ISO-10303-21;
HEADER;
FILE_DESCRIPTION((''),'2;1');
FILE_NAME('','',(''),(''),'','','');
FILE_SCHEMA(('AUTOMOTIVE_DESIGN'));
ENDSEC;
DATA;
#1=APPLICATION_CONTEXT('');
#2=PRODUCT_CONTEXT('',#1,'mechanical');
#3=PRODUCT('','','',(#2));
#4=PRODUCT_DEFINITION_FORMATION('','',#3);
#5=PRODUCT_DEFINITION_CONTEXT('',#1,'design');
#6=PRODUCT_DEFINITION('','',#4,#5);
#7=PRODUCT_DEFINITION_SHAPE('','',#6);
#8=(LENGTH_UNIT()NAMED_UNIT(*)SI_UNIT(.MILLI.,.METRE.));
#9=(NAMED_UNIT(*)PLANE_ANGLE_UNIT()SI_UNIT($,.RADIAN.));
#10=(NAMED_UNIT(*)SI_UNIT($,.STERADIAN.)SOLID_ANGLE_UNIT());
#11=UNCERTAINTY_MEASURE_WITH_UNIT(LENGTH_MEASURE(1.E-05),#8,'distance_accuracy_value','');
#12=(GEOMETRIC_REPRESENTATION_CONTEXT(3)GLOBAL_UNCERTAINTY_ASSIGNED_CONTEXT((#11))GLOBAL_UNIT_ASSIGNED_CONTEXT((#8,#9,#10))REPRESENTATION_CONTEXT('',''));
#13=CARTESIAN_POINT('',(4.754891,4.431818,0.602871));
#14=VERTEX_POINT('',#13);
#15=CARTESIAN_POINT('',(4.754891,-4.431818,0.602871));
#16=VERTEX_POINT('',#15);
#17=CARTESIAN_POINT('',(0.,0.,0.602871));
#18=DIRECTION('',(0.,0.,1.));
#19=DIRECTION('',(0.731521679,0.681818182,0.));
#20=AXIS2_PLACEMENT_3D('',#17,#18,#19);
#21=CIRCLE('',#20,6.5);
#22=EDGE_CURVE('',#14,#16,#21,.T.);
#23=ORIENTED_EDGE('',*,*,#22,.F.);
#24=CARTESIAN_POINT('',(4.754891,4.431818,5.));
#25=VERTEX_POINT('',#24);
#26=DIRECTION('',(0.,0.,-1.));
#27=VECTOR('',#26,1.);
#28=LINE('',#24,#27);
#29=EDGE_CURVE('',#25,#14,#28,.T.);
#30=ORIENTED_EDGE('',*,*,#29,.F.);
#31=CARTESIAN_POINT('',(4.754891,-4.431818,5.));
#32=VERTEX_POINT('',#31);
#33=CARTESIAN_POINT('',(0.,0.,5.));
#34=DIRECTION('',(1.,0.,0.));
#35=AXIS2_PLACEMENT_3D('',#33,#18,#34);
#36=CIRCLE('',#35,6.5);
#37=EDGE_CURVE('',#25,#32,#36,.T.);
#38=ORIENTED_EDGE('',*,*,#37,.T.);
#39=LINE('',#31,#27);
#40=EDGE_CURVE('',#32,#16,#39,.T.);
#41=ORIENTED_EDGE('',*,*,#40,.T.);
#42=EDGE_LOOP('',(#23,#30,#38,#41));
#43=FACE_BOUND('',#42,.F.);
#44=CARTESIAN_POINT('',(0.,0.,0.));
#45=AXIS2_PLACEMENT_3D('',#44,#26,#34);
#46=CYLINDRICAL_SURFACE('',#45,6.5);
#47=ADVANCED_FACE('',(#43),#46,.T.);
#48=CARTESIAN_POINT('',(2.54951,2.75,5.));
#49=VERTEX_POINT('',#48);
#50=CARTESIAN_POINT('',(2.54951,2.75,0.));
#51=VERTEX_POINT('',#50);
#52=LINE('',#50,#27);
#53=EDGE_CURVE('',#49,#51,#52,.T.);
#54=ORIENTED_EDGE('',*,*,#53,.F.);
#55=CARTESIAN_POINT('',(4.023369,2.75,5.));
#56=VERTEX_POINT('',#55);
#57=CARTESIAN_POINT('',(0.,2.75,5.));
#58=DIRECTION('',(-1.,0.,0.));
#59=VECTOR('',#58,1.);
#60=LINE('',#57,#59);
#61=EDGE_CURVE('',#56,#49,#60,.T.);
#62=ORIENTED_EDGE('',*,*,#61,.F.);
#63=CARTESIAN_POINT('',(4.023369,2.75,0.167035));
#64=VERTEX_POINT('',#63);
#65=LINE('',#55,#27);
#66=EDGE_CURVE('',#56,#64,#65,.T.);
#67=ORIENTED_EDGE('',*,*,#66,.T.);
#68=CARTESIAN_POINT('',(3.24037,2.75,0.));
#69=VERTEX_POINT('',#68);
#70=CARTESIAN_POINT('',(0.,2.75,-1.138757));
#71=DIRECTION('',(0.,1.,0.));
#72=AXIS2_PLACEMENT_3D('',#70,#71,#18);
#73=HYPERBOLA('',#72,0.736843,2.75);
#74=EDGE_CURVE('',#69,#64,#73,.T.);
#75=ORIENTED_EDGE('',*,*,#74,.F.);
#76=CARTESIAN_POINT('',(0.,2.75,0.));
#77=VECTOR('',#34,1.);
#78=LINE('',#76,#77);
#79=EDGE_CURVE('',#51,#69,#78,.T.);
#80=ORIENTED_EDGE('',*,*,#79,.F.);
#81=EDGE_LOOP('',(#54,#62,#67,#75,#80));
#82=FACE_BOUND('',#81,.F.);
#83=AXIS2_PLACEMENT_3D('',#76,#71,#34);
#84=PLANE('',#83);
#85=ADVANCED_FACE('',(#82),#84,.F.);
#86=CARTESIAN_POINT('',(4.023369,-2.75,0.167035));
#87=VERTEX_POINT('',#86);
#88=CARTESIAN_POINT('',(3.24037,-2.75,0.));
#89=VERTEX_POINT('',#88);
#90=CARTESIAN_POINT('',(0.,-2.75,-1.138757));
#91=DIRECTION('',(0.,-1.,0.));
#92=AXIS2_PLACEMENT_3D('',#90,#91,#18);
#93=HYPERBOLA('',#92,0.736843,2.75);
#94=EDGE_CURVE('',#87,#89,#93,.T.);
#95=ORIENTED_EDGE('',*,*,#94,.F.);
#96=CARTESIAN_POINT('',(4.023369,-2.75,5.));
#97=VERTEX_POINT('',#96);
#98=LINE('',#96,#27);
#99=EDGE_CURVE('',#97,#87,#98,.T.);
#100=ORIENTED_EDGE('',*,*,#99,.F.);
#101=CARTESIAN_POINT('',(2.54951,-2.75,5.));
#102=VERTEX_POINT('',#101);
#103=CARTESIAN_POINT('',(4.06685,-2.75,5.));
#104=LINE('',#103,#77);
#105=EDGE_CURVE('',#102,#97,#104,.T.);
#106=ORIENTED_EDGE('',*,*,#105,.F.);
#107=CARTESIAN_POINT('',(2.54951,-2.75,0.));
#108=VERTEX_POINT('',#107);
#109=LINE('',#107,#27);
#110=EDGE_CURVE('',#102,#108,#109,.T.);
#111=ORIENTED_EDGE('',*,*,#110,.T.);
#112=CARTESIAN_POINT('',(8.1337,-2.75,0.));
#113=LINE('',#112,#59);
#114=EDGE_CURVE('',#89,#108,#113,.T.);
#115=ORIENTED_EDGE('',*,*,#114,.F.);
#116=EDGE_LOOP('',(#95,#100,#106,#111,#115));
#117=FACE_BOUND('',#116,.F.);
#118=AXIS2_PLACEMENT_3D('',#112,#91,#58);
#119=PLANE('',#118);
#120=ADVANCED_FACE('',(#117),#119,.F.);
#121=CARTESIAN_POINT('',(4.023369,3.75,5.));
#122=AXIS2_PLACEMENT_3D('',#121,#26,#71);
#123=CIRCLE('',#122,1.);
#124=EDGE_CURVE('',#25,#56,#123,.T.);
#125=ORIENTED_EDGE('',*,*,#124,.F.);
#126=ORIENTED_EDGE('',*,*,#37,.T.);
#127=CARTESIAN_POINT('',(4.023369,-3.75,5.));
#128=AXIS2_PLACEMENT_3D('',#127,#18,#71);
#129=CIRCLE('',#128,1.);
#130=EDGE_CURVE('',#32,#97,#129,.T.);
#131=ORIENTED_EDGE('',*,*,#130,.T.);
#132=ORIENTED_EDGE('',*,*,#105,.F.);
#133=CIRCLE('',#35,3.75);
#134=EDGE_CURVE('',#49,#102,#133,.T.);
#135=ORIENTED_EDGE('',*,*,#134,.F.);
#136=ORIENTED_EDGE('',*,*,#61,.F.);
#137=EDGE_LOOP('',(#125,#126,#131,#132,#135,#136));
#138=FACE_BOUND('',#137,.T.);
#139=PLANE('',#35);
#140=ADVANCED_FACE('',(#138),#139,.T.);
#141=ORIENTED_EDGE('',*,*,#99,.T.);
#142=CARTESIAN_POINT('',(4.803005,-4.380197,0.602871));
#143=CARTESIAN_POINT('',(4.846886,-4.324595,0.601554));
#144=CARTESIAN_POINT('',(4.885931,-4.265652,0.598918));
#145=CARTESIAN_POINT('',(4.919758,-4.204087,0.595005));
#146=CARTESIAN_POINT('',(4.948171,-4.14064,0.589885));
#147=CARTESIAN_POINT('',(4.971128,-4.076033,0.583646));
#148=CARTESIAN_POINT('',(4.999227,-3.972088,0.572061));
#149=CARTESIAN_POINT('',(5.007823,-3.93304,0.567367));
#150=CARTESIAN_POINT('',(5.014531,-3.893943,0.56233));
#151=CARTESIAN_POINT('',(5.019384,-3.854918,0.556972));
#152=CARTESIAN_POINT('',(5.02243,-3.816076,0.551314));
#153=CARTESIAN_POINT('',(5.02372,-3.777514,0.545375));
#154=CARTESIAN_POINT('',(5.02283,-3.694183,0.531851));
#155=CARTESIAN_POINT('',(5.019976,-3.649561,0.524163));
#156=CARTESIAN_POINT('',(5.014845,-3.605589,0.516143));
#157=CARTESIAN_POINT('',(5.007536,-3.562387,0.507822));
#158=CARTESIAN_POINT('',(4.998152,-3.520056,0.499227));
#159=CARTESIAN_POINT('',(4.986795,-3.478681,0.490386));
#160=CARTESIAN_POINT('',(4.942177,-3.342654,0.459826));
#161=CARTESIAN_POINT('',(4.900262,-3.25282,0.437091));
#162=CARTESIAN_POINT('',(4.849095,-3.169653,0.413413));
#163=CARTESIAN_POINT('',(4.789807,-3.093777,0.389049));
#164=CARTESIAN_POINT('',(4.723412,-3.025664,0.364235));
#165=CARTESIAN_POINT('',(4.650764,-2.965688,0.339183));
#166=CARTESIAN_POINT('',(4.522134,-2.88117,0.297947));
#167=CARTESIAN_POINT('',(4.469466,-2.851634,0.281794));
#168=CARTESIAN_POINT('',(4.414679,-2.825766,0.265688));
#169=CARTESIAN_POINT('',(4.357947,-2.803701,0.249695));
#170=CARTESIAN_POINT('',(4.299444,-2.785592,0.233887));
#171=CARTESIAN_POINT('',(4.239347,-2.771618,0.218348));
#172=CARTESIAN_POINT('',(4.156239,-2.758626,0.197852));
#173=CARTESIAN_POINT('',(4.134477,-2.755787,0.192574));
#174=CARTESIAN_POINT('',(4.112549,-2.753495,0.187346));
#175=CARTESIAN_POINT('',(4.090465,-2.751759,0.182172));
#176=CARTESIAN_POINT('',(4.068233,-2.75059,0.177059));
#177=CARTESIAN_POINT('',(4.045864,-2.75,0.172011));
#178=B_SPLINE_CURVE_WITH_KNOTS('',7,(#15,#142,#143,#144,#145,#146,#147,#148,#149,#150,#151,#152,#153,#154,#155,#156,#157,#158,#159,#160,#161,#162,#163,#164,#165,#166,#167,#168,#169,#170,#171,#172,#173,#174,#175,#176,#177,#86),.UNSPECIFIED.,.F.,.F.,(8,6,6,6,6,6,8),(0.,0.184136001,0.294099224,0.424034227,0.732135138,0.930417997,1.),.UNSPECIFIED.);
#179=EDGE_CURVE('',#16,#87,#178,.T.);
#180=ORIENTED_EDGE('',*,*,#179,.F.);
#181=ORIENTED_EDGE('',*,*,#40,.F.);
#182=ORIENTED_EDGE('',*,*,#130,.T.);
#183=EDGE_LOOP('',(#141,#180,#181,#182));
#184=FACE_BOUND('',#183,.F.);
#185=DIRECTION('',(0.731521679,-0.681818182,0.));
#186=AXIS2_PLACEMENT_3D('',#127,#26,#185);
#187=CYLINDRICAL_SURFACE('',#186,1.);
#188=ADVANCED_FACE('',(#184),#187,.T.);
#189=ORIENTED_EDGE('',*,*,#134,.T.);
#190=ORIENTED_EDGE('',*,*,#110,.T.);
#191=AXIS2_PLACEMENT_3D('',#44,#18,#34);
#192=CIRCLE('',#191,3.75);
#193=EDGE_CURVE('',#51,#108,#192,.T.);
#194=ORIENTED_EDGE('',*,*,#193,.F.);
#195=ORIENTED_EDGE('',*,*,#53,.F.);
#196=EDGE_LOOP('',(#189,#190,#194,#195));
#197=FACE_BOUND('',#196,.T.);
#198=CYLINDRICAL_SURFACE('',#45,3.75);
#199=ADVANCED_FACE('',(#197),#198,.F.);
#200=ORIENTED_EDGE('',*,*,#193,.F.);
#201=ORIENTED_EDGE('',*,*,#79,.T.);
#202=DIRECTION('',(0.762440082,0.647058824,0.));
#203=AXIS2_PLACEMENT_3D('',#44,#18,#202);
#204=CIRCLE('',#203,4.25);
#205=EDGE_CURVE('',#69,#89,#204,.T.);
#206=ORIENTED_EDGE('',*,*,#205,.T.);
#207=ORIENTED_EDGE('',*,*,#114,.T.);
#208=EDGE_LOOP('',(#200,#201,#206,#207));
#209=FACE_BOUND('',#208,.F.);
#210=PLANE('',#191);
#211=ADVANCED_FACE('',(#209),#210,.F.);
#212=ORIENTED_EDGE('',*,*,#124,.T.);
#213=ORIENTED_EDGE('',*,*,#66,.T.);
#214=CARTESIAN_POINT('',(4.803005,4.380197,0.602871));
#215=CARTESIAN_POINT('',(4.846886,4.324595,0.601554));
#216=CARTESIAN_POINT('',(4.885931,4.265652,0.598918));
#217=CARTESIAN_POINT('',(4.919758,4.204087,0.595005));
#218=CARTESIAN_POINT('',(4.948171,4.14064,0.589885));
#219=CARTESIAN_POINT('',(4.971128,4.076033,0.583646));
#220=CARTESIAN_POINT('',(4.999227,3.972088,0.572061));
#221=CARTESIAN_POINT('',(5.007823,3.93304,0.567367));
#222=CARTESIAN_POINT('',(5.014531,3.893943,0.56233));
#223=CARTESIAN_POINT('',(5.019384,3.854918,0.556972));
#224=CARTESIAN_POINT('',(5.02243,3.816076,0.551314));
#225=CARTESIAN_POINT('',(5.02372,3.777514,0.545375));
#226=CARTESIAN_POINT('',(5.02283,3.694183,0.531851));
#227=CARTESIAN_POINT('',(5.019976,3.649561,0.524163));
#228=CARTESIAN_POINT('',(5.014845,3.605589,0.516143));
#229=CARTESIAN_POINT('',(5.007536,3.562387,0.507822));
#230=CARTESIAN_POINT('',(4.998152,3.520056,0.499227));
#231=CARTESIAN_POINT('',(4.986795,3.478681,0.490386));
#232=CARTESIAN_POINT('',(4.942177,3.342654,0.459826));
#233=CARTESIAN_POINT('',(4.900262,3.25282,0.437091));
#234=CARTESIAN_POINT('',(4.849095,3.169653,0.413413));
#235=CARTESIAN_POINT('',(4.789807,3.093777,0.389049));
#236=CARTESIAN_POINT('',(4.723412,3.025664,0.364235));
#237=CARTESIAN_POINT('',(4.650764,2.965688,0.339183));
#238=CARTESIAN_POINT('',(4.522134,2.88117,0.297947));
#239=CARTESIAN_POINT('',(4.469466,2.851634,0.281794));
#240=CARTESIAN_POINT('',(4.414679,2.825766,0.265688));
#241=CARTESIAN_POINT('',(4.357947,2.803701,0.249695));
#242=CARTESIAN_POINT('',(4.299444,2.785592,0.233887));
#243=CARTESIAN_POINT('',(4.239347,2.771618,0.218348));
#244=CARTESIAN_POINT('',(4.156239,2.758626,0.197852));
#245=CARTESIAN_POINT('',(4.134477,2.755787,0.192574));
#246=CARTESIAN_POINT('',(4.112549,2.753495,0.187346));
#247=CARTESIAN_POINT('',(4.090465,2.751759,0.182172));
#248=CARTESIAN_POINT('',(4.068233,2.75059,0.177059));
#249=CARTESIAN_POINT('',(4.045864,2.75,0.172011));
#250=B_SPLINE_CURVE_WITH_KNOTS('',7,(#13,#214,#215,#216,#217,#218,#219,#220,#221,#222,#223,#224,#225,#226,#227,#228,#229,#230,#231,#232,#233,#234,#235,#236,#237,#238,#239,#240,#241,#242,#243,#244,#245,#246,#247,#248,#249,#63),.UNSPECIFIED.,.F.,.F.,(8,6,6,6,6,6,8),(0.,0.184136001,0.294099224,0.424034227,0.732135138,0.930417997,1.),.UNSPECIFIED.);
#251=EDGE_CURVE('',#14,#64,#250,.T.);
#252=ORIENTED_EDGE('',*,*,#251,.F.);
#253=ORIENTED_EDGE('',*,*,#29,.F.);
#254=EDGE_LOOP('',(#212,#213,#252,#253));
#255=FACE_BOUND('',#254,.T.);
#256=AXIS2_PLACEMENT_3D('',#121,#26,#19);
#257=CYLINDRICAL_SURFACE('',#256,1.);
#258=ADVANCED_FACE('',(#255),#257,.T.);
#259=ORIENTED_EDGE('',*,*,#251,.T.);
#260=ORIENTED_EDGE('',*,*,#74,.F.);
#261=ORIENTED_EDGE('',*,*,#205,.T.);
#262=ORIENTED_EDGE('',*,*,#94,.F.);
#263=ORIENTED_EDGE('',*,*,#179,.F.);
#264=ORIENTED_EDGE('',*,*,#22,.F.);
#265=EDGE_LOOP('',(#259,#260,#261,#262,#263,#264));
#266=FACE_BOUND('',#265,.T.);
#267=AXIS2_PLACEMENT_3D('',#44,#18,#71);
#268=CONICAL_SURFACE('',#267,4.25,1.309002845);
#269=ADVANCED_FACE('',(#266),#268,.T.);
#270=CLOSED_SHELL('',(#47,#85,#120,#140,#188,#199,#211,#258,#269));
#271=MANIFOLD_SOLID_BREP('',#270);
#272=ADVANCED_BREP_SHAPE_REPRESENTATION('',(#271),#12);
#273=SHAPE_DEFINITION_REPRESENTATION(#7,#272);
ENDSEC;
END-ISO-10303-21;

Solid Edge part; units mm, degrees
sketch "Sketch1" plane through (0, 0, 0) normal (0, 0, 1) x (1, 0, 0)
  circle A0 centre (0, 0) radius 6.5
  circle A1 centre (0, 0) radius 3.75
  dimension "D1" = 13
  dimension "D2" = 7.5
extrude "Protrusion1" add sketch "Sketch1" along normal blind 5
sketch "Sketch2" plane through (0, 0, 0) normal (0, 0, 1) x (1, 0, 0)
  line L0 (0, 2.75) -> (8.1337, 2.75)
  line L1 (8.1337, 2.75) -> (8.1337, -2.75)
  line L2 (8.1337, -2.75) -> (0, -2.75)
  line L3 (0, -2.75) -> (0, 2.75)
extrude "Cutout1" cut sketch "Sketch2" along normal through all
fillet "Round_1" radius 1 2 edges at (5.8896, -2.75, 2.5) (5.8896, 2.75, 2.5)
sketch "Sketch3" plane through (0, 0, 0) normal (1, 0, 0) x (0, 1, 0)
  line L0 (4.25, 0) -> (9.3955, 1.3787)
revolve "RevolvedCutout1" cut sketch "Sketch3" angle 360 about axis through (0, 0, -57) along (0, 0, 1) material side at (0, 6.8357, 0.6411)
properties material "ABS Plastic, medium impact"
